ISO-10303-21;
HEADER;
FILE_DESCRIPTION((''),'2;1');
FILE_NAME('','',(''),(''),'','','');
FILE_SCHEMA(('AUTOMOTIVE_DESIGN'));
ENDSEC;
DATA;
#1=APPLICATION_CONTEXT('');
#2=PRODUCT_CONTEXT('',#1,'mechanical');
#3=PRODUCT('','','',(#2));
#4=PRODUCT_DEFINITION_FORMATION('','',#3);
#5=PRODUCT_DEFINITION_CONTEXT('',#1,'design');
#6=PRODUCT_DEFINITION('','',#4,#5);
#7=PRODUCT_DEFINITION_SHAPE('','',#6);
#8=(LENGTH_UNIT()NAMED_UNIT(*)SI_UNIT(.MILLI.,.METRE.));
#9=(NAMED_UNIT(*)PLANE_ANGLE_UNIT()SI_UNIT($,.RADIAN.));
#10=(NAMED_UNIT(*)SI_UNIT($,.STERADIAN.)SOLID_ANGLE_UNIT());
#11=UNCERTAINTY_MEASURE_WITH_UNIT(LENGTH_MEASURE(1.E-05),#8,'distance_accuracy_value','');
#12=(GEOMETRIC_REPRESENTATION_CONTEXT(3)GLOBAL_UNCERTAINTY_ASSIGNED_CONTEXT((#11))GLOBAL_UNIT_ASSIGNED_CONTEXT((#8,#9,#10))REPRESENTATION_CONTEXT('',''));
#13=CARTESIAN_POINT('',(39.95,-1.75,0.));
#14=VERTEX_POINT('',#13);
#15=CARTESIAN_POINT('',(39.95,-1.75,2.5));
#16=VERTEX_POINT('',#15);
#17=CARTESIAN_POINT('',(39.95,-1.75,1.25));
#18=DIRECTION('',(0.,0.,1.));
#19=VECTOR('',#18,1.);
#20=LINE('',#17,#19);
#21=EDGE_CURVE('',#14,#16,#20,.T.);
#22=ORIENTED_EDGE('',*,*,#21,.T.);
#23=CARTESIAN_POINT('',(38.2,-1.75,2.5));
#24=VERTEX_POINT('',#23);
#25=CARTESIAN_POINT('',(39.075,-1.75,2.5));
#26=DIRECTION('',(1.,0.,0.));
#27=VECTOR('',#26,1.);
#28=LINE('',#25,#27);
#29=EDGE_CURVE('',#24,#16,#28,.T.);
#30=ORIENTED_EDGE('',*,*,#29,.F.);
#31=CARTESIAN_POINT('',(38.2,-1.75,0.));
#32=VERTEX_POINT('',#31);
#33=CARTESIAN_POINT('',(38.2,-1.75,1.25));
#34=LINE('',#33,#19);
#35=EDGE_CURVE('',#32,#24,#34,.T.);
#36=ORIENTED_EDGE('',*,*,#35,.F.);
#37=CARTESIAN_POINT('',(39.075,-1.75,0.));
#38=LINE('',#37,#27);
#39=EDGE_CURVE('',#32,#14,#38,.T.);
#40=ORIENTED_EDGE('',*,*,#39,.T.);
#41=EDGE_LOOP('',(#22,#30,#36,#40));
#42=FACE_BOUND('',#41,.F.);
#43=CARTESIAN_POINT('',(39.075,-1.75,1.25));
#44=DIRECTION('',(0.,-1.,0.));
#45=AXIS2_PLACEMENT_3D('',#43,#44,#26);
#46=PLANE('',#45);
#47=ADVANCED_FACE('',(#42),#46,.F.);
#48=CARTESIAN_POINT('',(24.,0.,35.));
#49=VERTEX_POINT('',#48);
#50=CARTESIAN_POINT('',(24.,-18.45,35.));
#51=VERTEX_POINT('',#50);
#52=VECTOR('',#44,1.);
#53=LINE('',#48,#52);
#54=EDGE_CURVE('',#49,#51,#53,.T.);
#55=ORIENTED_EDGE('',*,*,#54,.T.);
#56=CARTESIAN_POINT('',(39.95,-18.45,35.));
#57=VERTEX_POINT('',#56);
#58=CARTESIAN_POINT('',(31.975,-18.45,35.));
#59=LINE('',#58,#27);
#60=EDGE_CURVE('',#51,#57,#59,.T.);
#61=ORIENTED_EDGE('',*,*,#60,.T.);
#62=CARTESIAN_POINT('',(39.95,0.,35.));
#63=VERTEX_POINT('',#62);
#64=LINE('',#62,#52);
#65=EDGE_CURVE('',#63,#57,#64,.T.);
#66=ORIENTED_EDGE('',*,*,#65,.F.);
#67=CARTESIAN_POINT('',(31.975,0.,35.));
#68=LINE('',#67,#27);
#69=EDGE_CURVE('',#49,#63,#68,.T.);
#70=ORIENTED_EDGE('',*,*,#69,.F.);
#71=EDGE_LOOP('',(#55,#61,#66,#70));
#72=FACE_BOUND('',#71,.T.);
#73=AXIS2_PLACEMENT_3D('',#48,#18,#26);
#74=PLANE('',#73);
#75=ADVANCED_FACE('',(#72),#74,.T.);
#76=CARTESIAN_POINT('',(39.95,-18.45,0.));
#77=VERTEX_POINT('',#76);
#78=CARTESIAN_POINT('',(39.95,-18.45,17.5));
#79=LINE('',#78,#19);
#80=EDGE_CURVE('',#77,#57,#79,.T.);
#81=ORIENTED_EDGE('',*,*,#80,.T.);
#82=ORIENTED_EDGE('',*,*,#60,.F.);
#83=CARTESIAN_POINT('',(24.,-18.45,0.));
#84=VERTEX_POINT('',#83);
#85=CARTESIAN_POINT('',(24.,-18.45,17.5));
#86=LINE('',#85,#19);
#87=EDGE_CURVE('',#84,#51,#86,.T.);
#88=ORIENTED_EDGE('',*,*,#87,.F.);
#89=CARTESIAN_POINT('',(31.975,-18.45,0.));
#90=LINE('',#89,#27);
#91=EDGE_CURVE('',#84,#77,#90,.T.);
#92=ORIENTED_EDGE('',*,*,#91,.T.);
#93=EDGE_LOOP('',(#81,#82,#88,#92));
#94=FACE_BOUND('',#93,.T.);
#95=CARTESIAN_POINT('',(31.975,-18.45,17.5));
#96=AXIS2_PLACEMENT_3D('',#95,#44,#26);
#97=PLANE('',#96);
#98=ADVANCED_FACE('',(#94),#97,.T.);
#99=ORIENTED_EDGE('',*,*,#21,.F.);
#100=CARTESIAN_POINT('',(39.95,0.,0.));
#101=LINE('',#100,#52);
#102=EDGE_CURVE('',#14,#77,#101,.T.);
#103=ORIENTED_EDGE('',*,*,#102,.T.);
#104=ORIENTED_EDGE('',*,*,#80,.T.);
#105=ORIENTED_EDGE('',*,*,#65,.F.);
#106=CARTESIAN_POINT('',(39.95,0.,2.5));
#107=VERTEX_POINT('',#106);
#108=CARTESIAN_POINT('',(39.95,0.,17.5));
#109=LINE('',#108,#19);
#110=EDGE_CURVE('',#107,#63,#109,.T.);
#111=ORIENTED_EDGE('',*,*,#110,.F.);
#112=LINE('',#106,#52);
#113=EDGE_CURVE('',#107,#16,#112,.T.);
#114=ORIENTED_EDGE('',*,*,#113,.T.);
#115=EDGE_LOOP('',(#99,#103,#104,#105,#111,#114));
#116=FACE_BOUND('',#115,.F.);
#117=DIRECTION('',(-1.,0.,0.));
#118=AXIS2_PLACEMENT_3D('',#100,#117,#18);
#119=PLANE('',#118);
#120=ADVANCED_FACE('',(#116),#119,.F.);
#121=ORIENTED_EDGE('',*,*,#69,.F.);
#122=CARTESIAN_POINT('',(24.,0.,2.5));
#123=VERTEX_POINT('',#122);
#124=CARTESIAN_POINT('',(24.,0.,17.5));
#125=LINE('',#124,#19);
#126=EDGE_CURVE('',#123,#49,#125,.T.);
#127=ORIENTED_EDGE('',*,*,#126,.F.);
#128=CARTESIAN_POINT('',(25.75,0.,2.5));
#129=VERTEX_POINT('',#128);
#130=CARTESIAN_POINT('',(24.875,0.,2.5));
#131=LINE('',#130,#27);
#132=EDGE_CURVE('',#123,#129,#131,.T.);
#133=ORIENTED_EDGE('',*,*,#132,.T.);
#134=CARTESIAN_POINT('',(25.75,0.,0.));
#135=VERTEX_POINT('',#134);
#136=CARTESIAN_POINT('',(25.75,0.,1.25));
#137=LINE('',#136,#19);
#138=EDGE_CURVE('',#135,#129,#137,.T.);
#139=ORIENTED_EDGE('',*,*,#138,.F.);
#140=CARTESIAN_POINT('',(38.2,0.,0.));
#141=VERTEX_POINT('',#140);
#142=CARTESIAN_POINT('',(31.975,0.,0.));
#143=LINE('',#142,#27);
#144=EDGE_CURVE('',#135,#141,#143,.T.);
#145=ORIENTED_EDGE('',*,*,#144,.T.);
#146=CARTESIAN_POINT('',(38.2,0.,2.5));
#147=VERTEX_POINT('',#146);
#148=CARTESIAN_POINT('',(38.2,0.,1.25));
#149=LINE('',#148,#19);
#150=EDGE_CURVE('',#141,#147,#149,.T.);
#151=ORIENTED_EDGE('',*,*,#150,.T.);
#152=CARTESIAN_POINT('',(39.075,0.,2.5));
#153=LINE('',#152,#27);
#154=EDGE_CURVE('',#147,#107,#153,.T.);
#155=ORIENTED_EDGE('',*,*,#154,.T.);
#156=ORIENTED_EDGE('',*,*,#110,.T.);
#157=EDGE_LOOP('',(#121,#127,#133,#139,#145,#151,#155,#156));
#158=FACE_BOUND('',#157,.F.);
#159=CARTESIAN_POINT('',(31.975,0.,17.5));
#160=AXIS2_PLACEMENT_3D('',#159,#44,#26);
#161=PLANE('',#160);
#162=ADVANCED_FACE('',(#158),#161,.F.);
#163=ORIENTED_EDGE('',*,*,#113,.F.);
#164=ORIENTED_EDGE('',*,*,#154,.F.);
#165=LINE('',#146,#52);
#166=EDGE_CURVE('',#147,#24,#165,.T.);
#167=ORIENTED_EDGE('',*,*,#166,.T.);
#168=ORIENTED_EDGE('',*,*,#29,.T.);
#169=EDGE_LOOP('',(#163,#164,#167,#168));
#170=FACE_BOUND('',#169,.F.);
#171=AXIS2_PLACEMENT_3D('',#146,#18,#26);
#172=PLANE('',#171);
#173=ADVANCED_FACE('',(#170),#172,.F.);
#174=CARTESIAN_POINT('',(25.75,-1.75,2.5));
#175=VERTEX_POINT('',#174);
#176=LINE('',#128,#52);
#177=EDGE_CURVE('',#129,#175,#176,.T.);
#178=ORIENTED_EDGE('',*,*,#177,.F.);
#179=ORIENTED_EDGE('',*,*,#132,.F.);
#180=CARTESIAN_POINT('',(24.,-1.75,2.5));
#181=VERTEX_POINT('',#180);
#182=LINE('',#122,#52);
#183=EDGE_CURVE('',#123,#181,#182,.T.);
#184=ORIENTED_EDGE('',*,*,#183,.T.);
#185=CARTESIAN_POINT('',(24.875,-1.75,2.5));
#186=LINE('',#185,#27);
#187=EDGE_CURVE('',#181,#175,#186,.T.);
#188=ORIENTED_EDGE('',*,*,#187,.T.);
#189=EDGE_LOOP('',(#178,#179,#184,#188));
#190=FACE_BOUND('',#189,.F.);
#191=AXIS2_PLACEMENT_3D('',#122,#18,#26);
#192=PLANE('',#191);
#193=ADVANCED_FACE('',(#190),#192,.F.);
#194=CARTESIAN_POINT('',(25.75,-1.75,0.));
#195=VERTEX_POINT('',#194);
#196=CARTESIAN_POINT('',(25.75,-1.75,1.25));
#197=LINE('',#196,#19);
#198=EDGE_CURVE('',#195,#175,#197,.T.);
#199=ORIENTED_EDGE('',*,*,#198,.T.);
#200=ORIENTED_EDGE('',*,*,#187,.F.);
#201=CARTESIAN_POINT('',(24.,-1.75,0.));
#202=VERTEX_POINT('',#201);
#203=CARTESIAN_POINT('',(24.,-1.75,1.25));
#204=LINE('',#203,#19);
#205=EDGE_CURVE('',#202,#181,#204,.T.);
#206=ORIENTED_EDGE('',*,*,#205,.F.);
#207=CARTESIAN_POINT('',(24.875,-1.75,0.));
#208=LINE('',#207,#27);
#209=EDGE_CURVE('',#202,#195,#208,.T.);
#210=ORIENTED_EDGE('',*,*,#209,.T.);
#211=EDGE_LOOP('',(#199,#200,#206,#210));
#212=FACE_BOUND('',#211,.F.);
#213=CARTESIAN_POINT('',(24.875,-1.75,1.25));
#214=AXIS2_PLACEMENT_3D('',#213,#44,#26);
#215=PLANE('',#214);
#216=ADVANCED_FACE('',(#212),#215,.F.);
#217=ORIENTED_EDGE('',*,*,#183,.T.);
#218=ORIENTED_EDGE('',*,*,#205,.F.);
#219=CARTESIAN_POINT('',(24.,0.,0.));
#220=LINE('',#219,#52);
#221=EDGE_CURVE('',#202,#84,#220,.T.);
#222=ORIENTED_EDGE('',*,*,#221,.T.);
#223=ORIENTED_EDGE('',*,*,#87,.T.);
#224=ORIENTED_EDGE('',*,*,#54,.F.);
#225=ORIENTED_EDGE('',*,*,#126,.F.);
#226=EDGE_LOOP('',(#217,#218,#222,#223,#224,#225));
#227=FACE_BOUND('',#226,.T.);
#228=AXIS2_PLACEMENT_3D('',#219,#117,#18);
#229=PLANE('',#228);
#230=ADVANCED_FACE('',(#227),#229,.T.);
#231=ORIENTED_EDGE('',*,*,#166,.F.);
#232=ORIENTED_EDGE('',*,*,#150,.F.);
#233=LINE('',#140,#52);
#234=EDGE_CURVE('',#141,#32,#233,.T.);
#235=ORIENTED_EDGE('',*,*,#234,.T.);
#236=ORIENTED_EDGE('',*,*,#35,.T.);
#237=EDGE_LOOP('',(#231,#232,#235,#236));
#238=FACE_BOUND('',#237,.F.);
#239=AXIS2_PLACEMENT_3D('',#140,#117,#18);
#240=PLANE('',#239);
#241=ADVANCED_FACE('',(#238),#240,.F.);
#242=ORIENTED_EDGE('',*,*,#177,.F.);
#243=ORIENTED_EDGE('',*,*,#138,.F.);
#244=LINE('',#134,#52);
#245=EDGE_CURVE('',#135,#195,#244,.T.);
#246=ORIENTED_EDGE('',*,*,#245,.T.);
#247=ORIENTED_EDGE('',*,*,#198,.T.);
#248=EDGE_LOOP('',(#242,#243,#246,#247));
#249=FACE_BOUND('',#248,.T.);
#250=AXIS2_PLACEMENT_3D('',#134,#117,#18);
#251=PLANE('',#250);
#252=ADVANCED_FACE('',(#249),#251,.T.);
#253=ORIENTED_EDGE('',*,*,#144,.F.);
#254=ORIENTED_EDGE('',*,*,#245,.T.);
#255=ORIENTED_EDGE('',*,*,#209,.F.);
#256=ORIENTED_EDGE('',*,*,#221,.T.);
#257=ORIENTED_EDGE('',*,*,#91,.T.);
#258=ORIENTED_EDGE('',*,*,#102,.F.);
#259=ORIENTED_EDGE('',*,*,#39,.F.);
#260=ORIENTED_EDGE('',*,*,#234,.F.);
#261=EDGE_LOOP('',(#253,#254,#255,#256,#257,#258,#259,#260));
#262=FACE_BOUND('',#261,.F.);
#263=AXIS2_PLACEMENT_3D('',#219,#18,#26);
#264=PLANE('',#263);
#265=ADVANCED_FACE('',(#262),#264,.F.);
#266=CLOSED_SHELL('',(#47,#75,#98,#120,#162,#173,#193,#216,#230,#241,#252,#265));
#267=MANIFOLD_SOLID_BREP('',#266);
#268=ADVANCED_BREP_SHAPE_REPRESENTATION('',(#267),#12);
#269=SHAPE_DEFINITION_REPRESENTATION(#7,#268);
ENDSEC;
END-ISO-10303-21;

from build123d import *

# Parameters (mm, degrees)
BOX006_W          = 1.75
BOX006_H          = 2.5
BOX006_DEPTH      = 1.75
BOX005_W          = 1.75
BOX005_H          = 2.5
BOX005_DEPTH      = 1.75
BOX004_W          = 15.95
BOX004_H          = 35
BOX004_DEPTH      = 18.45
CUT060_ROLL_ANGLE = 90


with BuildPart() as krychle005:
    # Box006 → Box006 (new body)
    with BuildSketch(Plane(origin=(14.2, 0, 0), x_dir=(1, 0, 0), z_dir=(0, 0, 1))):
        with Locations((0.875, 1.25)):
            Rectangle(BOX006_W, BOX006_H)
    extrude(amount=BOX006_DEPTH)


with BuildPart() as krychle004:
    # Box005 → Box005 (new body)
    with BuildSketch(Plane.XY):
        with Locations((0.875, 1.25)):
            Rectangle(BOX005_W, BOX005_H)
    extrude(amount=BOX005_DEPTH)


with BuildPart() as rj45:
    # Box004 → Box004 (new body)
    with BuildSketch(Plane.XY):
        with Locations((7.975, 17.5)):
            Rectangle(BOX004_W, BOX004_H)
    extrude(amount=BOX004_DEPTH)

    # Cut059: cut Krychle004
    add(krychle004.part, mode=Mode.SUBTRACT)

    # Cut060: cut Krychle005
    add(krychle005.part, mode=Mode.SUBTRACT)


with BuildPart() as rj45_1:
    # Cut060 roll: moved
    add(rj45.part.rotate(Axis((0, 0, 0), (1, 0, 0)), CUT060_ROLL_ANGLE))


with BuildPart() as rj45_2:
    # Cut060 placement: moved
    add(rj45_1.part.moved(Location((24, 0, 0))))


solid = rj45_2.part
